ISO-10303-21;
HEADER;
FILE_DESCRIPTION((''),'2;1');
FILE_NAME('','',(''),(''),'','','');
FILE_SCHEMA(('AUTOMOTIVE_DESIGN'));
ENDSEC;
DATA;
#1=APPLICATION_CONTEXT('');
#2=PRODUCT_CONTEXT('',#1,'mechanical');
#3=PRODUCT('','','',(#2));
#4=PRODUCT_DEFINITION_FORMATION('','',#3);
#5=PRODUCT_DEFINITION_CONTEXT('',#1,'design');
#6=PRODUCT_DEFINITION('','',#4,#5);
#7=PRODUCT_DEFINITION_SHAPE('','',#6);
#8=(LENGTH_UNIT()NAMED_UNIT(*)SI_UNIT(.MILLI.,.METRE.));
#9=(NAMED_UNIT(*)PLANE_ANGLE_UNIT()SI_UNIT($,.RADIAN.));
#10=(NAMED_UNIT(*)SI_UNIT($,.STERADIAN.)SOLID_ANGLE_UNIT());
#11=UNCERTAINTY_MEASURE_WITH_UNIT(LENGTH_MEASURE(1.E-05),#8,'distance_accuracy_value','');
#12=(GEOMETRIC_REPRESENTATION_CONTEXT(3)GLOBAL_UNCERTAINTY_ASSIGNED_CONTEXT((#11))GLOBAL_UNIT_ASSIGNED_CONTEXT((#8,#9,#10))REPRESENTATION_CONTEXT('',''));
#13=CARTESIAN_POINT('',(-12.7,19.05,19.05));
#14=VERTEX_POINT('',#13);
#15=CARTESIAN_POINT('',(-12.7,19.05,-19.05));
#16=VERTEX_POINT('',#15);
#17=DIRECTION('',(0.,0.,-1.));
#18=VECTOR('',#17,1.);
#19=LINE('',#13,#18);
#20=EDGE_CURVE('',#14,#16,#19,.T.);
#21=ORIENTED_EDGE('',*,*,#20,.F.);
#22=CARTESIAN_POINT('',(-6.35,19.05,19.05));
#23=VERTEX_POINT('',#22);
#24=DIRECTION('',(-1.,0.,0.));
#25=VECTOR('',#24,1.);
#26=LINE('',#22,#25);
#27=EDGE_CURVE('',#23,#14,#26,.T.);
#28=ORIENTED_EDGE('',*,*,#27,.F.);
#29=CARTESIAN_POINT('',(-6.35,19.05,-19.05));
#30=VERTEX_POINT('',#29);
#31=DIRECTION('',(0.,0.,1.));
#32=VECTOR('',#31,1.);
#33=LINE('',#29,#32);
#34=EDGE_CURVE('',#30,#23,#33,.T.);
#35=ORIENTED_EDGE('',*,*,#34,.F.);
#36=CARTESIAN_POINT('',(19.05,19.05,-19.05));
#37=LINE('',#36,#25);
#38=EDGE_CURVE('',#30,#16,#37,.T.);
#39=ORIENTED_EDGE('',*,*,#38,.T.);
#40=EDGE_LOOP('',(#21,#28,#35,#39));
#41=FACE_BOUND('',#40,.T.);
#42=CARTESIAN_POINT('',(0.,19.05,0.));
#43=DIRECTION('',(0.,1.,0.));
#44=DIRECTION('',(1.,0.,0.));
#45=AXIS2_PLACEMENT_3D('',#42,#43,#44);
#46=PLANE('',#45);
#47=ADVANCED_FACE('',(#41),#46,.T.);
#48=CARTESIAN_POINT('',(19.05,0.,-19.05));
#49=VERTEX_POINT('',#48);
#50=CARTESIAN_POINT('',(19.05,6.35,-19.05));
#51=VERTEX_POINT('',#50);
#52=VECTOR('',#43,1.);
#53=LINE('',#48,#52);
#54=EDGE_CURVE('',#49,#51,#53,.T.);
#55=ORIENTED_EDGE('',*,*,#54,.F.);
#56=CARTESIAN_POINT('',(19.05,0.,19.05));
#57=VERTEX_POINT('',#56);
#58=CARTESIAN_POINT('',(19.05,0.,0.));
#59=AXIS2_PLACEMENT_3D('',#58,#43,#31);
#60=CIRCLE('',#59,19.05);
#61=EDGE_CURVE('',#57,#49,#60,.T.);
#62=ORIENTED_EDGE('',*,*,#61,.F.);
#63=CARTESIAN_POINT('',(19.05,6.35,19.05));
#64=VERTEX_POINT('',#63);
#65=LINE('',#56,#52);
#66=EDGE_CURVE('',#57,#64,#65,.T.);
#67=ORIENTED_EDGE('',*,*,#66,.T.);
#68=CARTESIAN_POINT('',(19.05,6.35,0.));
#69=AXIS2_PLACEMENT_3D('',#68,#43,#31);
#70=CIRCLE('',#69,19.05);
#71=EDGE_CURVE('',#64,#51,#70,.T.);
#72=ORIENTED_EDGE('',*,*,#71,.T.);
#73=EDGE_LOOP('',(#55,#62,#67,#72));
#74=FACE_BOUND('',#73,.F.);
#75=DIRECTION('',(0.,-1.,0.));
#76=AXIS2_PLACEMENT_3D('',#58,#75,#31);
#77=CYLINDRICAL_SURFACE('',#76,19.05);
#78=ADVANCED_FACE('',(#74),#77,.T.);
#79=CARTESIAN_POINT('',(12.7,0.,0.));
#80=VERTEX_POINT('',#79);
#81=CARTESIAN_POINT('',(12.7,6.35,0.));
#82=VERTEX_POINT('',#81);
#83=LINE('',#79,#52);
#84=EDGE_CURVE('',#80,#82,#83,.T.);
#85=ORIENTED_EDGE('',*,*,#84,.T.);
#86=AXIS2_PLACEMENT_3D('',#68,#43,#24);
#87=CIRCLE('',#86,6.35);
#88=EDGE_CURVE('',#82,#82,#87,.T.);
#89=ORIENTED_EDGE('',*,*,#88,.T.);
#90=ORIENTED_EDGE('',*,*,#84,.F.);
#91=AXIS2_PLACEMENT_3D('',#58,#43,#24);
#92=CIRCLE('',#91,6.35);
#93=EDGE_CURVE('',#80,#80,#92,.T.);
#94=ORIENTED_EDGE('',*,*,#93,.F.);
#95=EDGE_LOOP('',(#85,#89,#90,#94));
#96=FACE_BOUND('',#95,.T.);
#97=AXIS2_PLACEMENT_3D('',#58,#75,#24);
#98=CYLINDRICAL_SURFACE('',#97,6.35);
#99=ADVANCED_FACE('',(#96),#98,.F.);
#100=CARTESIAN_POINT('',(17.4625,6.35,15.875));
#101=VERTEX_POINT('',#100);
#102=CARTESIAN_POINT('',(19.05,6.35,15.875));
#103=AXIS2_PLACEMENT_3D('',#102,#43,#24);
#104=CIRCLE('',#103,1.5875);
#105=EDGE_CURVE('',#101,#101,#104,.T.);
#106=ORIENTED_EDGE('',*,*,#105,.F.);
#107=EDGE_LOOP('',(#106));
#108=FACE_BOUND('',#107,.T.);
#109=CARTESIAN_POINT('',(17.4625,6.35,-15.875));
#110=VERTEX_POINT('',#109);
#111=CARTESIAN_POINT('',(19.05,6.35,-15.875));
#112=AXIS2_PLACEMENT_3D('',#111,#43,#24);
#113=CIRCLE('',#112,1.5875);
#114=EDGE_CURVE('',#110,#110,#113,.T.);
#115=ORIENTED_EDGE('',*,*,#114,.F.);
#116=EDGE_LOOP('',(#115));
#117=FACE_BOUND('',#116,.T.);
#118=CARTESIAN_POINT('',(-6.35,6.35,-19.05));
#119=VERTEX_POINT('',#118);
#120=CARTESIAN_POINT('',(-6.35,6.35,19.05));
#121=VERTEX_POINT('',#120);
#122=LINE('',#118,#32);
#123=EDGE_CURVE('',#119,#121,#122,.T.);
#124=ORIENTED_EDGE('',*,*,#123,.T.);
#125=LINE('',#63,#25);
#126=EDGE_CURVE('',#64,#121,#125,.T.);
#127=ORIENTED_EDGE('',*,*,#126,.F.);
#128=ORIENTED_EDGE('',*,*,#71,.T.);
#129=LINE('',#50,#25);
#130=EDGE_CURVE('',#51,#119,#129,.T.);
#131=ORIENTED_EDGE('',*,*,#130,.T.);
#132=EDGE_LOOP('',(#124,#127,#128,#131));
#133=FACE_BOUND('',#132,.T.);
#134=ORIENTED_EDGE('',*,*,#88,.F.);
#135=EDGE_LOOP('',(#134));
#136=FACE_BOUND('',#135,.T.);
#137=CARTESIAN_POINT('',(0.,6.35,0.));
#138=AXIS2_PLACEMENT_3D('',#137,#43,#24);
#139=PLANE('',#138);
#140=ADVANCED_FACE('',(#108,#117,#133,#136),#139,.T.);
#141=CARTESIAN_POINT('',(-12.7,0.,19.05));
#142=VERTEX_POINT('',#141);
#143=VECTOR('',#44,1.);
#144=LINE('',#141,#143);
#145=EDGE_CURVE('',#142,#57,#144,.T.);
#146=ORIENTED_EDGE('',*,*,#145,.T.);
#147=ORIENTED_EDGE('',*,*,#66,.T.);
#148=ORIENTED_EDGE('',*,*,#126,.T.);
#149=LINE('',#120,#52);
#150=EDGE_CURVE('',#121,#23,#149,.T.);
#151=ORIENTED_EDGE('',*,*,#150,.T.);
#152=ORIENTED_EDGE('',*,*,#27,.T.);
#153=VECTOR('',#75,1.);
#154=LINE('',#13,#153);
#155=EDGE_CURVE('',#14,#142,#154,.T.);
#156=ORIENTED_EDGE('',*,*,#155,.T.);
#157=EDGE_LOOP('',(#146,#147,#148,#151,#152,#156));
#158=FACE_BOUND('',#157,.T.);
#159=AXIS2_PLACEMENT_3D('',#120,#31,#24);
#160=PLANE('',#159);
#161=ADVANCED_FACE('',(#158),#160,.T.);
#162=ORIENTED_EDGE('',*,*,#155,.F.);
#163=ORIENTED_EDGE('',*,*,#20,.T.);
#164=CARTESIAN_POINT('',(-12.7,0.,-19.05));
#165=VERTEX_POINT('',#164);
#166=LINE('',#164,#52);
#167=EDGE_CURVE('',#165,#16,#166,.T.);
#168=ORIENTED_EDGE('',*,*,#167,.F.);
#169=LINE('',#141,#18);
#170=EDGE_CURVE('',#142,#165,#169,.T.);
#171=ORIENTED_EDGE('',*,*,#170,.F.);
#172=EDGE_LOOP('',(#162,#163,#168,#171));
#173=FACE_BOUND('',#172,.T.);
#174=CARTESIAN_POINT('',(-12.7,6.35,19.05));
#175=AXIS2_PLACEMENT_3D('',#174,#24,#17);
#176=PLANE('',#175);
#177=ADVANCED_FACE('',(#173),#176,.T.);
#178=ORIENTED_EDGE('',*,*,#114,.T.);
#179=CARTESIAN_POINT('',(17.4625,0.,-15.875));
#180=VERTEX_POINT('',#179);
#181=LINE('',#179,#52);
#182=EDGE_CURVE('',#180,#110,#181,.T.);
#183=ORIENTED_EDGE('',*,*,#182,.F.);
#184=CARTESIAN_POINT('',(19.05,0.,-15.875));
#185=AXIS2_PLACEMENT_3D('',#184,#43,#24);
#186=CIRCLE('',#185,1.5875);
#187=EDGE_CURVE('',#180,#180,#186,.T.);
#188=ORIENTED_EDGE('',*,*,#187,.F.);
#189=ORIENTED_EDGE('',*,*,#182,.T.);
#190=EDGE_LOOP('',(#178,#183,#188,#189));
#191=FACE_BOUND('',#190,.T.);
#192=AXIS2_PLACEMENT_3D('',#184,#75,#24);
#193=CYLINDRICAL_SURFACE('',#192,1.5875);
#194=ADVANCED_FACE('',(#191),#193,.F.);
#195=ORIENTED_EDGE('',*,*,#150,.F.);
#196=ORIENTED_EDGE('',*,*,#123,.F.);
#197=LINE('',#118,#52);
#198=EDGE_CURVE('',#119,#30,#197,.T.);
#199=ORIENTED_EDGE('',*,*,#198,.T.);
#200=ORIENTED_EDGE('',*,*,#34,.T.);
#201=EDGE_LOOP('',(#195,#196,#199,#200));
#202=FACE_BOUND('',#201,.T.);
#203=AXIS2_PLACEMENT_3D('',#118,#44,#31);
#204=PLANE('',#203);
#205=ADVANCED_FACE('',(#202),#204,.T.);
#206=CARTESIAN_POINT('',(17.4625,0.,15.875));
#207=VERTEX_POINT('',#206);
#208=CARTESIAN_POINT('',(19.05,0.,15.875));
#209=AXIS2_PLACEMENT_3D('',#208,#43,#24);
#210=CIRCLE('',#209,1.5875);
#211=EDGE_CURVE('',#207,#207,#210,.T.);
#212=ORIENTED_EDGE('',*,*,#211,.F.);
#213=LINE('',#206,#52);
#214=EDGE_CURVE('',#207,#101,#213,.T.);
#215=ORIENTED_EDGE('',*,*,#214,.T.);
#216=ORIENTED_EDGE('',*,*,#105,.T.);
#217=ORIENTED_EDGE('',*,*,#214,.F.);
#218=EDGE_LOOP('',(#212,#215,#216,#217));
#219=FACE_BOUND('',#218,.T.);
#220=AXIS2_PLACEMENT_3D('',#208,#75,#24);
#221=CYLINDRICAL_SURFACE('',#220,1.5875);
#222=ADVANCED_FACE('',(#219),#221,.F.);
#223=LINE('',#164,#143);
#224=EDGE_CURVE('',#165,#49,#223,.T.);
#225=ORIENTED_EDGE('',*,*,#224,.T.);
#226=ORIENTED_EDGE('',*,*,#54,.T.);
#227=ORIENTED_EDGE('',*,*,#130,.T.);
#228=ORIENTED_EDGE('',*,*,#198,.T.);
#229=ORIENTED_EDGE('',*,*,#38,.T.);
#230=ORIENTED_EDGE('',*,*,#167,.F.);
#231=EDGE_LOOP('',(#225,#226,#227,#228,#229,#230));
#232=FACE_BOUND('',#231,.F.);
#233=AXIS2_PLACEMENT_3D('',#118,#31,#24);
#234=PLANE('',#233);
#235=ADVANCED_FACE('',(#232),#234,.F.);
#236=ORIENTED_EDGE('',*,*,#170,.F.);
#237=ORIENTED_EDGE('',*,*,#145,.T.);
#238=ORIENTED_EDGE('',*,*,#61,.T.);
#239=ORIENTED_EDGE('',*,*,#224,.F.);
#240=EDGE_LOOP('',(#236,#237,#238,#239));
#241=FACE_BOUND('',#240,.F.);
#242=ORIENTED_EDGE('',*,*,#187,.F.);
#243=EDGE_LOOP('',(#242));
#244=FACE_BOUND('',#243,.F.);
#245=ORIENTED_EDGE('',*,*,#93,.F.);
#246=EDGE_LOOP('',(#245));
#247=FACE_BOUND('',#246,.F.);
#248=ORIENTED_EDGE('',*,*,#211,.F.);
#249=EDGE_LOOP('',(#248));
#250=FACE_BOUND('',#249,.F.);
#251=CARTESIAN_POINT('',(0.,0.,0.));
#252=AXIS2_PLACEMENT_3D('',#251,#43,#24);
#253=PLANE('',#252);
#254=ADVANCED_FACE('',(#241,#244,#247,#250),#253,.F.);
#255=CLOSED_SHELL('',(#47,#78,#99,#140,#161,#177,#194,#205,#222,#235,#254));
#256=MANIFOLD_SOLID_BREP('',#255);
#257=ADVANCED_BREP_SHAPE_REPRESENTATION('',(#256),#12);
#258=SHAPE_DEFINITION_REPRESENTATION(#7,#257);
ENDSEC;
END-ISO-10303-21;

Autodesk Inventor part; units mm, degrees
ref_plane "YZ Plane" through (0, 0, 0) normal (1, 0, 0) x (0, 1, 0)
ref_plane "XZ Plane" through (0, 0, 0) normal (0, 1, 0) x (-1, 0, 0)
ref_plane "XY Plane" through (0, 0, 0) normal (0, 0, 1) x (1, 0, 0)
sketch "Sketch1" plane through (0, 0, 0) normal (0, 1, 0) x (-1, 0, 0)
  line L0 (-19.05, 19.05) -> (19.05, 19.05) construction
  line L1 (19.05, 19.05) -> (19.05, -19.05) construction
  line L2 (19.05, -19.05) -> (-19.05, -19.05) construction
  line L3 (-19.05, -19.05) -> (-19.05, 19.05) construction
  line L4 (-19.05, 19.05) -> (19.05, -19.05) construction
  line L5 (19.05, 19.05) -> (-19.05, -19.05) construction
  arc A0 (-19.05, 19.05) -> (-19.05, -19.05) centre (-19.05, 0) ccw
  circle A1 centre (-19.05, 0) radius 6.35
  circle A2 centre (-19.05, 15.875) radius 1.5875
  circle A3 centre (-19.05, -15.875) radius 1.5875
  line L6 (-17.4625, 15.875) -> (-17.4625, 19.05) construction
  line L7 (-17.4625, -15.875) -> (-17.4625, -19.05) construction
  line L8 (-19.05, 19.05) -> (0, 19.05)
  line L9 (0, -19.05) -> (-19.05, -19.05)
  line L10 (0, 19.05) -> (12.7, 19.05)
  line L11 (12.7, 19.05) -> (12.7, -19.05)
  line L12 (12.7, -19.05) -> (0, -19.05)
  line L13 (0, -19.05) -> (0, 19.05)
  line L14 (6.35, 19.05) -> (6.35, -19.05)
  line L15 (6.35, 9.525) -> (0, 9.525) construction
  point P0 (0, 0)
  dimension "d1" = 3.175
  dimension "d3" = 3.175
  dimension "d0" = 3.175
  dimension "d2" = 3.175
  dimension "d4" = 38.1
  dimension "d5" = 19.05
  dimension "d6" = 12.7
  dimension "d8" = 19.05
  dimension "d9" = 12.7
  dimension "d10" = 6.35
extrude "Extrusion1" add sketch "Sketch1" along normal blind 6.35
sketch "Sketch2" plane through (0, 6.35, 0) normal (0, 1, 0) x (1, 0, 0)
  line L0 (19.05, 19.05) -> (-12.7, 19.05) projected
  line L1 (-12.7, 19.05) -> (-6.35, 19.05)
  line L2 (-6.35, 19.05) -> (-6.35, -19.05)
  line L3 (-6.35, -19.05) -> (-12.7, -19.05)
  line L4 (-12.7, -19.05) -> (-12.7, 19.05)
  point P0 (0, 0)
  dimension "d16" = 6.35
  dimension "d17" = 38.1
extrude "Extrusion2" add sketch "Sketch2" along normal blind 12.7
properties part number "motor_mount" material "Plastic, Opaque Black"
